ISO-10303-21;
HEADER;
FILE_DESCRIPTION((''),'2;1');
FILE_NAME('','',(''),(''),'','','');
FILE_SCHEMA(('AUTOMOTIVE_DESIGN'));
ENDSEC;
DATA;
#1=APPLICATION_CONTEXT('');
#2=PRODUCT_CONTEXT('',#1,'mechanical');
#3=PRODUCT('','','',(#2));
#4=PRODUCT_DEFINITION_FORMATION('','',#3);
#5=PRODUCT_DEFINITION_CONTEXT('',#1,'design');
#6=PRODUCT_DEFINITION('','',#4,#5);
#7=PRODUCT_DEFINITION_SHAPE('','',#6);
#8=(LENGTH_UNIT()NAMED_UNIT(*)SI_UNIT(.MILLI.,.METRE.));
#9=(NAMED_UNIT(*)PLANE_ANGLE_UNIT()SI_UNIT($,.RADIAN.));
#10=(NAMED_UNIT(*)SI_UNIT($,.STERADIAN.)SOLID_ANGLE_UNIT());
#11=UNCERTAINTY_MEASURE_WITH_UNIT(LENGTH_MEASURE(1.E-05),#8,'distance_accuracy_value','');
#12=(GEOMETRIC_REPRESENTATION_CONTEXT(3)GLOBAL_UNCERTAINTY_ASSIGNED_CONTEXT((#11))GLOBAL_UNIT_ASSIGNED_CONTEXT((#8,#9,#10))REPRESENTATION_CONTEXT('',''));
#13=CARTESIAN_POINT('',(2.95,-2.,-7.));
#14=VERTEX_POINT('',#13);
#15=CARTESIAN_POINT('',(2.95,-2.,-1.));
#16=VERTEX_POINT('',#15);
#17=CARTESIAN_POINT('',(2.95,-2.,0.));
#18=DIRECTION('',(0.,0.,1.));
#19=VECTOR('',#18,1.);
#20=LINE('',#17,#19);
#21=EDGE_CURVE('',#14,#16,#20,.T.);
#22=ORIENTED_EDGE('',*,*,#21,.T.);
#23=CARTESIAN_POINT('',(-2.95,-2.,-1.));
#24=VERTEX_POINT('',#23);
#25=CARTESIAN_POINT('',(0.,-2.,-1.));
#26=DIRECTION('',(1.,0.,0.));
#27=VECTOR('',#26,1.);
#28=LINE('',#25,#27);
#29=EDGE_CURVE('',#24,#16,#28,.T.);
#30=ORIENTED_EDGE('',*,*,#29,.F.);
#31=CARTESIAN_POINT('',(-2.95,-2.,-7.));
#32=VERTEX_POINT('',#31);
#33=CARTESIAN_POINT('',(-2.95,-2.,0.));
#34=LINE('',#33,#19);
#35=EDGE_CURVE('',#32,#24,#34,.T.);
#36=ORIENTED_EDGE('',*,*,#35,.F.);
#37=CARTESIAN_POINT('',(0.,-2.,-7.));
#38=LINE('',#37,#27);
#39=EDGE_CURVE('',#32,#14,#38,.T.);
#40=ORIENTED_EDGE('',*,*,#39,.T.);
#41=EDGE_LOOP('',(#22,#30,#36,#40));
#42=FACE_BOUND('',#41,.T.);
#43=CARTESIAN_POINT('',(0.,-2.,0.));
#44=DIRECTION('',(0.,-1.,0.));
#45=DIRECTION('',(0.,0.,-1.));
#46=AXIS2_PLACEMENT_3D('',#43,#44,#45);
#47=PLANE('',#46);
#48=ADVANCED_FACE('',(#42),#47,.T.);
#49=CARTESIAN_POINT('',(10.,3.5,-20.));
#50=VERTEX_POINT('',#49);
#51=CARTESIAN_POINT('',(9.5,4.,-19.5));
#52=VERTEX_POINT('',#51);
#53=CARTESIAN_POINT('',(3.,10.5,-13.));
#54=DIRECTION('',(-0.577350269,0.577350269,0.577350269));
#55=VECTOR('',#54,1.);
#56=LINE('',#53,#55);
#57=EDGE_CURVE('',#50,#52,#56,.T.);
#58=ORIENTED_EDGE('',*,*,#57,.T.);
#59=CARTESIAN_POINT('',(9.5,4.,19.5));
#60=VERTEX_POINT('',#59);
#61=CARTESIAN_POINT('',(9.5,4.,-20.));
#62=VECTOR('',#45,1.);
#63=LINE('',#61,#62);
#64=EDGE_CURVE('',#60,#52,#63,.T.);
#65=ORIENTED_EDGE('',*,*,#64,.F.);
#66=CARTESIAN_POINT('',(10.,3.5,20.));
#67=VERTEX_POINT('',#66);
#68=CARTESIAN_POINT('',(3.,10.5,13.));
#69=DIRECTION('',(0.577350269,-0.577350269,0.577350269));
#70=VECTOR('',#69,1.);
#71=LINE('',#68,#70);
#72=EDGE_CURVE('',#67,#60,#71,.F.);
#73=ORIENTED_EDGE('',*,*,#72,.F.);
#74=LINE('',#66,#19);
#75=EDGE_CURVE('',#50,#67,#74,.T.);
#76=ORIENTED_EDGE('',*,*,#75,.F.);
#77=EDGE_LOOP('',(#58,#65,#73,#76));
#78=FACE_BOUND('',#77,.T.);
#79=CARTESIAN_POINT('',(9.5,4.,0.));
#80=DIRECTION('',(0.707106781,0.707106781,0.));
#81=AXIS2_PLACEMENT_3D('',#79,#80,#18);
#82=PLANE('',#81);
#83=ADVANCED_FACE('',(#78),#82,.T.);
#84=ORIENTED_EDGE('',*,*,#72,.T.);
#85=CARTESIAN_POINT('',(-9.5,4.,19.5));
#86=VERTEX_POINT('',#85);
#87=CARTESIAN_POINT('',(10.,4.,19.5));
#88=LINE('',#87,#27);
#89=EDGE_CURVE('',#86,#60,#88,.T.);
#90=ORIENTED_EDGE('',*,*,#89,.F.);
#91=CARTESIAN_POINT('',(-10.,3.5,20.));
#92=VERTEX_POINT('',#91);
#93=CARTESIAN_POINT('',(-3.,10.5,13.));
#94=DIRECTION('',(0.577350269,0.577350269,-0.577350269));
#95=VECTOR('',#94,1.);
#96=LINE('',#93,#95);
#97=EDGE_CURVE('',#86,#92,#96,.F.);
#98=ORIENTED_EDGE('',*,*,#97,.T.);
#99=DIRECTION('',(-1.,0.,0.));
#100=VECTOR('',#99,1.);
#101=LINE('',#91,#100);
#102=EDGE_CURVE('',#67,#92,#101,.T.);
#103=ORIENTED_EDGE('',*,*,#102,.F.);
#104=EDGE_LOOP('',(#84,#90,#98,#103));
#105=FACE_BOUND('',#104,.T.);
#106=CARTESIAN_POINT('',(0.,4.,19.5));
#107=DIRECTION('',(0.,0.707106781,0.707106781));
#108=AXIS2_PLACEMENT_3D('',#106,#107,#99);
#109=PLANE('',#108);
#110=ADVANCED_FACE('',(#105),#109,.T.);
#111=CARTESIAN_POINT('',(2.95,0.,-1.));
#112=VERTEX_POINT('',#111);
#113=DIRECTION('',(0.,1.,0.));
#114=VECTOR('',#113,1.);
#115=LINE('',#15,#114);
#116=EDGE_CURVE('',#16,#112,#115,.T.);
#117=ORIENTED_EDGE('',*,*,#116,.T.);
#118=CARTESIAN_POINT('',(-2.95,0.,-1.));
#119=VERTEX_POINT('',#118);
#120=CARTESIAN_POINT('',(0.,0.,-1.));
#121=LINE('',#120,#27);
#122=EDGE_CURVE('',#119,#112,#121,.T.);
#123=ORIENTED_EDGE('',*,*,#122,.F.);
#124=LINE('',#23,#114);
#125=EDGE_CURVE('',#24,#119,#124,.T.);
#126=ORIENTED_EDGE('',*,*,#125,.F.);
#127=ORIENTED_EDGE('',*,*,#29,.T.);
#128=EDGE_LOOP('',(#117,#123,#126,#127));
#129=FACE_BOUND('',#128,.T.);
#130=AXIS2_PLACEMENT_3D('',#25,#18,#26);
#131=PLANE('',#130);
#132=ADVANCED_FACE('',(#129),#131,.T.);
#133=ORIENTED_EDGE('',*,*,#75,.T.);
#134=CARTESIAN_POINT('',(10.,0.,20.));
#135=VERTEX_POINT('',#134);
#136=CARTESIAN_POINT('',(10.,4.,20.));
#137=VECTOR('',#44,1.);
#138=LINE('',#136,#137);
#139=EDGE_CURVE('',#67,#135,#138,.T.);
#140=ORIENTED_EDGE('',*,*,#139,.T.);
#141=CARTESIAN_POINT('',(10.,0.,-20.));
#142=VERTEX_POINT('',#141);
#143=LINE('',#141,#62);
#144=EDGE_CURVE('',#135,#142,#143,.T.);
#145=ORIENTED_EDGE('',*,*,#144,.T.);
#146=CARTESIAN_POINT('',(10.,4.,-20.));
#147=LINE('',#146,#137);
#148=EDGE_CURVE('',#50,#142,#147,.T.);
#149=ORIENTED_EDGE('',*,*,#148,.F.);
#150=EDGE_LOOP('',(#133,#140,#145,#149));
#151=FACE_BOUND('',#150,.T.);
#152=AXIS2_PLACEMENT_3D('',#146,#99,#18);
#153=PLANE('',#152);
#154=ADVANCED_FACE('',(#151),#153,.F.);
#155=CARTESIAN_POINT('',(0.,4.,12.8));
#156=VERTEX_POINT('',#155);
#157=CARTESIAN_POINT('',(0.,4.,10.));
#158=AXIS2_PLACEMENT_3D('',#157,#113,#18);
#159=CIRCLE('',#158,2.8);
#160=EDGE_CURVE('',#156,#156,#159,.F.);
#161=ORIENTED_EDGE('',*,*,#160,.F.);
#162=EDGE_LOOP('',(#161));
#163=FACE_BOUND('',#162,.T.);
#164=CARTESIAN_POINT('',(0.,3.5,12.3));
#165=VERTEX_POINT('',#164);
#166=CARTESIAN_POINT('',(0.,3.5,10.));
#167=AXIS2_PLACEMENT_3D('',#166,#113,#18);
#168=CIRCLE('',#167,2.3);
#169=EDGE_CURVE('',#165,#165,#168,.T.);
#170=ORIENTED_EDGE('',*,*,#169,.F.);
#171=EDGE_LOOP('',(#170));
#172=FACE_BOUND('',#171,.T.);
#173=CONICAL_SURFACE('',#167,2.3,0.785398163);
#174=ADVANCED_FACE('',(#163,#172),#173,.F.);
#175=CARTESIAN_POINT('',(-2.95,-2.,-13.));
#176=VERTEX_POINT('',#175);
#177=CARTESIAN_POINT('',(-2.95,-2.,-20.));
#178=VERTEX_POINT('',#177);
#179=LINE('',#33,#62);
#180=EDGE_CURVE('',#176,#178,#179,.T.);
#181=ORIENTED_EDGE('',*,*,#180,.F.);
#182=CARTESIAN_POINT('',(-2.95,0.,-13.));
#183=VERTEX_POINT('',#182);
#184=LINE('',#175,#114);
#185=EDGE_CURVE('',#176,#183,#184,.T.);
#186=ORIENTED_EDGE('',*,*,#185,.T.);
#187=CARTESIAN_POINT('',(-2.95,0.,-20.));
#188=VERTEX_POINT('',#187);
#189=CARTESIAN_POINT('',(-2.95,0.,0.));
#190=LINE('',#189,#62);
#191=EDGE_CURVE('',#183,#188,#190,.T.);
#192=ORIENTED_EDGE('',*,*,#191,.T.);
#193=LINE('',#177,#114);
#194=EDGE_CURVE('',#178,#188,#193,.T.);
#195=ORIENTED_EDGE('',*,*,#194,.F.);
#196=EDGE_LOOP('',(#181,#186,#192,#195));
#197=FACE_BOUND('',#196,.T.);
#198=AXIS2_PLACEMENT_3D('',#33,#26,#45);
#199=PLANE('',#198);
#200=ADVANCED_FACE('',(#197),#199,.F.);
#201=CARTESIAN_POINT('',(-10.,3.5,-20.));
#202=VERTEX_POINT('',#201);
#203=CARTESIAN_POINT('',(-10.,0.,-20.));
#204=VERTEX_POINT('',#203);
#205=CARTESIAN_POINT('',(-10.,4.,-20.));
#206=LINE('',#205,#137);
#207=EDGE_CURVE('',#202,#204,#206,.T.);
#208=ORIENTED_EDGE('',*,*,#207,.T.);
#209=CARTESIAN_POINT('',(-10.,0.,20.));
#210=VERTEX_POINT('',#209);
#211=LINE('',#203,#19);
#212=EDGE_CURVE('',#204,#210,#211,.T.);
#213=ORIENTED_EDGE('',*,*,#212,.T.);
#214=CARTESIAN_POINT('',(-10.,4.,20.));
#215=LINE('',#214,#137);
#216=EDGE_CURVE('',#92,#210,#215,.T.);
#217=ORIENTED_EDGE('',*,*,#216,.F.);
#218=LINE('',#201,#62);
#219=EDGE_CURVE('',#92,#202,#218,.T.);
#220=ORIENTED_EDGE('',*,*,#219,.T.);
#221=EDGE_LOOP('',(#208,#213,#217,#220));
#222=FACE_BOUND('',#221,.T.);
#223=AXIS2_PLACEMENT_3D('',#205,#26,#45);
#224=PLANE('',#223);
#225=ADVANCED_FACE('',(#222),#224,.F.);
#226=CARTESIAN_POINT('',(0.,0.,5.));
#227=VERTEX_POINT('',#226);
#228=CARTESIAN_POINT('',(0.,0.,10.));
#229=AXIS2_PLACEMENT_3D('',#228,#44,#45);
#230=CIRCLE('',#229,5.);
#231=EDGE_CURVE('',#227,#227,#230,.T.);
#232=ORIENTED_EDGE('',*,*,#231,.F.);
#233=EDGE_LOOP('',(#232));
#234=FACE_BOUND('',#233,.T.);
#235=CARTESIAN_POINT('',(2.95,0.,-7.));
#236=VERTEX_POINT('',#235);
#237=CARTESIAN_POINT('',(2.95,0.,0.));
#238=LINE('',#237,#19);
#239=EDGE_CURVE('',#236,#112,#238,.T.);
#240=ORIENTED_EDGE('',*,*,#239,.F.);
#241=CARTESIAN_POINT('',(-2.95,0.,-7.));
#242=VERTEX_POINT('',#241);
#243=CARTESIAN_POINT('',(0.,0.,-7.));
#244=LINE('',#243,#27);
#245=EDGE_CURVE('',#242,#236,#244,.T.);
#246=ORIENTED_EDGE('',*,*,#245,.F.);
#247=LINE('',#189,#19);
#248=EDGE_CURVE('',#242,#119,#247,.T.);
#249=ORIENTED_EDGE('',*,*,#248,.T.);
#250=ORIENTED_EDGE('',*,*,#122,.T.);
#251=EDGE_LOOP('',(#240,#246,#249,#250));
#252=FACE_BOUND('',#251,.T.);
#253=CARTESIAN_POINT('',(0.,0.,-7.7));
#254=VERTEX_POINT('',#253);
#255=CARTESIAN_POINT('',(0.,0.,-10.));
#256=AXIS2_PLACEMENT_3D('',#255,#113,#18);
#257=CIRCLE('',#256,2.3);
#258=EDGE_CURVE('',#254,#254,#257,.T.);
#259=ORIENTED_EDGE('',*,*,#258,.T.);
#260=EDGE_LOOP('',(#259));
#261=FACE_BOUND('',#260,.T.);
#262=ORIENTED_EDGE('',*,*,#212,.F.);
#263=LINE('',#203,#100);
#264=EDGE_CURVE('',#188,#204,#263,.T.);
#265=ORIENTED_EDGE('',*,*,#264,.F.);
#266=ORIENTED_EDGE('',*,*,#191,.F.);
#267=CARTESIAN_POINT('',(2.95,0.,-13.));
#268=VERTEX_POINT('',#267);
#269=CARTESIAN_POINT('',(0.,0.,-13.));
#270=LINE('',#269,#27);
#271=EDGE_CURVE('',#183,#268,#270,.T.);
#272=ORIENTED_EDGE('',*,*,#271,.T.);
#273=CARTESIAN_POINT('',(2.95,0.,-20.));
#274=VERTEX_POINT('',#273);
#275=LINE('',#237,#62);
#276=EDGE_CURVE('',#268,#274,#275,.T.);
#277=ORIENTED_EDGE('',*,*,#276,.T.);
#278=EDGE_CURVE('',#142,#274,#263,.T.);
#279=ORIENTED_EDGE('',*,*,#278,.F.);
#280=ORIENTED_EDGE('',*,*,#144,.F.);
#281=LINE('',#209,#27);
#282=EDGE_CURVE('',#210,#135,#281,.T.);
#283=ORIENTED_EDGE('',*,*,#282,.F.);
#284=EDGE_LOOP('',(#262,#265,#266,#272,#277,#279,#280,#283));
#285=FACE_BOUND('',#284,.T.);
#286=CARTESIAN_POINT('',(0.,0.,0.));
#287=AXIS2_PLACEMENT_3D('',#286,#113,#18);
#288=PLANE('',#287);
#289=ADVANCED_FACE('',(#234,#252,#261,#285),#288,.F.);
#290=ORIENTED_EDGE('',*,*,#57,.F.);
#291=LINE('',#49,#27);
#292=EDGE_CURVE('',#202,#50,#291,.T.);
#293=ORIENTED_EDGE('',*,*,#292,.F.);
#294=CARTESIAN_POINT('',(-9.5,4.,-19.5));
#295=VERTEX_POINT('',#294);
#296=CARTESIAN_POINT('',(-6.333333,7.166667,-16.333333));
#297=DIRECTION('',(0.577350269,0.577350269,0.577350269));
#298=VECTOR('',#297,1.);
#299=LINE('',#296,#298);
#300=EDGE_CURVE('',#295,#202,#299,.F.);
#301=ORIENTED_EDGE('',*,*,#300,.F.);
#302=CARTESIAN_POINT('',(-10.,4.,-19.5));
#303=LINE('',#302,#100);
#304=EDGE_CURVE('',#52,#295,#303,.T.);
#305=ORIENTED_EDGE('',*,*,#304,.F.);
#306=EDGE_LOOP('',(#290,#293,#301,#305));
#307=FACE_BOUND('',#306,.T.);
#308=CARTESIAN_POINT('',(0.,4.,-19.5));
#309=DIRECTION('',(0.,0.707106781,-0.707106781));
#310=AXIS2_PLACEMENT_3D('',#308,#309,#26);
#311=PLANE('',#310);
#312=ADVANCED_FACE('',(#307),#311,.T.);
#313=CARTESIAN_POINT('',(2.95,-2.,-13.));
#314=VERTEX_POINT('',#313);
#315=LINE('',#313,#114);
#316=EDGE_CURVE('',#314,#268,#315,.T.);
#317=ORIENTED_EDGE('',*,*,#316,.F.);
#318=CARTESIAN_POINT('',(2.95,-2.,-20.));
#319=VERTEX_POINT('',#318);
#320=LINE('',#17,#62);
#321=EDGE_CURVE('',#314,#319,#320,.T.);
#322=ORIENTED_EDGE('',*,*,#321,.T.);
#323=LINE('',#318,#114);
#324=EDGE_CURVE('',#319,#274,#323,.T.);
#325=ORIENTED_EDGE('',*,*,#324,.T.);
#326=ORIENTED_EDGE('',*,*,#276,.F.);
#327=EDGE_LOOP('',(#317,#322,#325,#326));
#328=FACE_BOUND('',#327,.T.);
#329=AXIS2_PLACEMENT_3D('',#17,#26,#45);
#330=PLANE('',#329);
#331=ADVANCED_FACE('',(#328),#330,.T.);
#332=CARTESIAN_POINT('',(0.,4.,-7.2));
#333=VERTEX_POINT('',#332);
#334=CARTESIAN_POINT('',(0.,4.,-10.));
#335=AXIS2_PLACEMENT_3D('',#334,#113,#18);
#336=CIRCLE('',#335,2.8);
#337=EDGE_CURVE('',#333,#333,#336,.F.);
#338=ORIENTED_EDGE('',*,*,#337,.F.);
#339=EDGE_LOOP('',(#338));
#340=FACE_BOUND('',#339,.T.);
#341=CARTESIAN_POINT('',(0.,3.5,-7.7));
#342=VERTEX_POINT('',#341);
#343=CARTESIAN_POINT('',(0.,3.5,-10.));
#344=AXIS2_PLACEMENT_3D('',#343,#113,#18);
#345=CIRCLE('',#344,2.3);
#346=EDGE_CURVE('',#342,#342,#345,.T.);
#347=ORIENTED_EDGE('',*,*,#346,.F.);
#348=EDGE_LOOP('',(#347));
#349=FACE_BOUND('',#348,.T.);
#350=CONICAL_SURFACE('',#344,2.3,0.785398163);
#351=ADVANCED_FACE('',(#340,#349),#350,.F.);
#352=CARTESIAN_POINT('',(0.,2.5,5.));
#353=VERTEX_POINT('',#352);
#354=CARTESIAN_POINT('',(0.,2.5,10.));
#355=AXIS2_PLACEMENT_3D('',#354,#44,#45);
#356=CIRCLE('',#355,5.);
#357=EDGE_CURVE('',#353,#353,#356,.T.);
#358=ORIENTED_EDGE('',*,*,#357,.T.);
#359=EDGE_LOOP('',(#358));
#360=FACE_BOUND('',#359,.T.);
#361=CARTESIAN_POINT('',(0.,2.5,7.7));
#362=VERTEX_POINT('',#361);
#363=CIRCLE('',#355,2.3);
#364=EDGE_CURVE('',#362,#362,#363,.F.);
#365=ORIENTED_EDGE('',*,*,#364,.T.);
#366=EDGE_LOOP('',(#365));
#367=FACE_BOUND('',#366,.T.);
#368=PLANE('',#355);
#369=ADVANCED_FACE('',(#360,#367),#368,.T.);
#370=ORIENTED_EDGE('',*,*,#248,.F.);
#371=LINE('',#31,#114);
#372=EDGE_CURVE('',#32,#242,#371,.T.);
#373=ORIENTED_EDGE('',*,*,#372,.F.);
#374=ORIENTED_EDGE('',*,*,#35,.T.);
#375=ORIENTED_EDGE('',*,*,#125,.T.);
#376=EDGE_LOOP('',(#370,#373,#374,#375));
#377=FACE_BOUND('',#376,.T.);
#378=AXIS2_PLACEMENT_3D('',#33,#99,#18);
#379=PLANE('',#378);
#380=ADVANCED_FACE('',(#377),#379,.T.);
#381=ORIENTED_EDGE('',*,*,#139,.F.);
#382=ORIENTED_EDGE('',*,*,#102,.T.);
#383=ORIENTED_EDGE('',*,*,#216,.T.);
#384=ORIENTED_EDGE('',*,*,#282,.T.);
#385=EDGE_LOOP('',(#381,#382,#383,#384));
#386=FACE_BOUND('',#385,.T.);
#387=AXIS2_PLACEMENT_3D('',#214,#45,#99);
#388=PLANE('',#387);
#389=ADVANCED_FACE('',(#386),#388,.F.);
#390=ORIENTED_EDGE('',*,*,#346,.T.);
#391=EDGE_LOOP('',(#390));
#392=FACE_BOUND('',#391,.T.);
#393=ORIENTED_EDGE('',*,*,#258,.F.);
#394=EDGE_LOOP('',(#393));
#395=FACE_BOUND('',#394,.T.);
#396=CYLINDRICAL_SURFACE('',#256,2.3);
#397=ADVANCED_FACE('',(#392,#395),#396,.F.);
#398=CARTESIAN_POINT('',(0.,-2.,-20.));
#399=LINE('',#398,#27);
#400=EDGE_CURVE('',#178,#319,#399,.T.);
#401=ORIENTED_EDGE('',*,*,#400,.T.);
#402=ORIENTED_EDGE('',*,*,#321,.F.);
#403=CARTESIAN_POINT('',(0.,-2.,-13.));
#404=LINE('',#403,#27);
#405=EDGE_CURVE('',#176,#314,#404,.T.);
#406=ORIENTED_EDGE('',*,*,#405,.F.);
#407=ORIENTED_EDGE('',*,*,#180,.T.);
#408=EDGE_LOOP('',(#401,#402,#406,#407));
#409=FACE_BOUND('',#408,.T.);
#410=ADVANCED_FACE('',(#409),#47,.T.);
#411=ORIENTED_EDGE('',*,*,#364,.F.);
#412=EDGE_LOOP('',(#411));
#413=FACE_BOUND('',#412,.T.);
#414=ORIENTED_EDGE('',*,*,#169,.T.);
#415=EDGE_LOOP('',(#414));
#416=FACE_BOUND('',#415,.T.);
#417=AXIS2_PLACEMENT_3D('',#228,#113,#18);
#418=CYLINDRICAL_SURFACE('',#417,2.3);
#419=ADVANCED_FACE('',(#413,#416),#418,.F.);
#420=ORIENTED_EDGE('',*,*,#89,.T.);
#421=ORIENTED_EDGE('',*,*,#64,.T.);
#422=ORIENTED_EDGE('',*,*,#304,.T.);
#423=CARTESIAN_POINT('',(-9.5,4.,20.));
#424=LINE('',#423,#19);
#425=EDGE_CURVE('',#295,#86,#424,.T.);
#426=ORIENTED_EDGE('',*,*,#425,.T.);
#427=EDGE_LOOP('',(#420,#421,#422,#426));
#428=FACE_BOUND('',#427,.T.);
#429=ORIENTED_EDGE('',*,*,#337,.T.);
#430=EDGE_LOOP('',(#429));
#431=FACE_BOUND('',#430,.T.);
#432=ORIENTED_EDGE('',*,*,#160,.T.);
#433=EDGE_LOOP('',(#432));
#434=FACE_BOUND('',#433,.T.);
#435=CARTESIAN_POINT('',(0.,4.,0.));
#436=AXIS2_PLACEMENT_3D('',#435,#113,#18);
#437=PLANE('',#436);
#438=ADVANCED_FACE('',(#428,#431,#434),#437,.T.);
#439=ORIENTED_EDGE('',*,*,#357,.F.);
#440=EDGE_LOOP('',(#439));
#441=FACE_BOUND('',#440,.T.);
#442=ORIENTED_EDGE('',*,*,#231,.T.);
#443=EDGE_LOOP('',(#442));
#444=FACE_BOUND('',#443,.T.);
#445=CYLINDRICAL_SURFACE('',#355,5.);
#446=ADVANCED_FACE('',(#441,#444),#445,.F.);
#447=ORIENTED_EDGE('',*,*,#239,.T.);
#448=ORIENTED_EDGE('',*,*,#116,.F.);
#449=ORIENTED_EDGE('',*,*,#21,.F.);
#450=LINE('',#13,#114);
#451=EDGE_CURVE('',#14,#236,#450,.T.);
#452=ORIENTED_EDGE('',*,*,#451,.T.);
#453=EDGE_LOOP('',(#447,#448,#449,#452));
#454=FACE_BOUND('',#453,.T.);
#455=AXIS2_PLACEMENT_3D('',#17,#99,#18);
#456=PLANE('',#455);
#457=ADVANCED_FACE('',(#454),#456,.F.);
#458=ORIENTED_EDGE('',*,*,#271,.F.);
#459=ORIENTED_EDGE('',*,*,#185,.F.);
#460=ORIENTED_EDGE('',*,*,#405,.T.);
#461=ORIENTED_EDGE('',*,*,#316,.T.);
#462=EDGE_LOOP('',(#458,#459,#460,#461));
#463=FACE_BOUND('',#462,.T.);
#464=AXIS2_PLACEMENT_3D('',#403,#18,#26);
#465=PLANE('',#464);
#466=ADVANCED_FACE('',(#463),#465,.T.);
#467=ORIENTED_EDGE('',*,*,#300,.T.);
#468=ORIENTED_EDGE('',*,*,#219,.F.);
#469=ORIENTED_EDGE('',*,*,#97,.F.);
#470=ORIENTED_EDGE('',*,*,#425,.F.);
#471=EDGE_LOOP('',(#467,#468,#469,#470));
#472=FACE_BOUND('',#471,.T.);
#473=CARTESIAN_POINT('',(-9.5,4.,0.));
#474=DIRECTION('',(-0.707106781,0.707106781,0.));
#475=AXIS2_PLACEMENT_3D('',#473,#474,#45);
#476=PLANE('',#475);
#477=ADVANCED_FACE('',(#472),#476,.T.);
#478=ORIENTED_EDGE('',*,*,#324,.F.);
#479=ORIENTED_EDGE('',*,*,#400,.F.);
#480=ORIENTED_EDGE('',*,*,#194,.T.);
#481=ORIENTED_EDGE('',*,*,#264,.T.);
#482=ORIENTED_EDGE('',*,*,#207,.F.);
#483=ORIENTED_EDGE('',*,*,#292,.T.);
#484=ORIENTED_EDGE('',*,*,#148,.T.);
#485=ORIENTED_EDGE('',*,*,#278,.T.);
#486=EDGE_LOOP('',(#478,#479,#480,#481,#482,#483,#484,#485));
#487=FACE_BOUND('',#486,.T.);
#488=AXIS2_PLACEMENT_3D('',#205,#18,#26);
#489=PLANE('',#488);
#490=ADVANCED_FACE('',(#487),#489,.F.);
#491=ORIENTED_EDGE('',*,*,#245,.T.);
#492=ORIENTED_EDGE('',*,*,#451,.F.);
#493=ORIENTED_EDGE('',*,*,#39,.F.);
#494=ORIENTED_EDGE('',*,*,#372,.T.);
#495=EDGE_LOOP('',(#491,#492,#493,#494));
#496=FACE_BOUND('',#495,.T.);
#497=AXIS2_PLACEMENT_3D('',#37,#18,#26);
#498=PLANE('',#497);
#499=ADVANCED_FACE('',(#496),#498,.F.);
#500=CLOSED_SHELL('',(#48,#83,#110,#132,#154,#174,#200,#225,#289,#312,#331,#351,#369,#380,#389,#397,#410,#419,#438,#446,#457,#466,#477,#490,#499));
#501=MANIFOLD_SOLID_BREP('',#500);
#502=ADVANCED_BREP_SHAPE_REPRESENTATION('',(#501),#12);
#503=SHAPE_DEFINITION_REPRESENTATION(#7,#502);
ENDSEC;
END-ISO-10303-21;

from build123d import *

# Parameters (mm, degrees)
ESBO_O1_W                  = 20
ESBO_O1_H                  = 40
RESSALTO_EXTRUS_O1_DEPTH   = 4
ESBO_O2_R                  = 2.3
CORTE_EXTRUS_O1_DEPTH      = 1
CORTE_EXTRUS_O1_DEPTH_BACK = 5
ESBO_O3_W                  = 5.9
ESBO_O3_H                  = 6
ESBO_O3_H_2                = 7
RESSALTO_EXTRUS_O2_DEPTH   = 2
CHANFRO1_SIZE              = 0.5
ESBO_O4_R                  = 5
CORTE_EXTRUS_O2_DEPTH      = 2.5


with BuildPart() as part:
    # Esboço1 → Ressalto-extrusão1 (new body)
    with BuildSketch(Plane(origin=(0, 0, 0), x_dir=(1, 0, 0), z_dir=(0, 1, 0))):
        Rectangle(ESBO_O1_W, ESBO_O1_H)
    extrude(amount=RESSALTO_EXTRUS_O1_DEPTH)

    # Esboço2 → Corte-extrusão1 (cut, two sides)
    with BuildSketch(Plane(origin=(0, 4, 0), x_dir=(1, 0, 0), z_dir=(0, 1, 0))) as corte_extrus_o1_sk:
        with Locations((0, 10)):
            Circle(ESBO_O2_R)
        with Locations((0, -10)):
            Circle(ESBO_O2_R)
    extrude(amount=CORTE_EXTRUS_O1_DEPTH, mode=Mode.SUBTRACT)
    extrude(corte_extrus_o1_sk.sketch, amount=-CORTE_EXTRUS_O1_DEPTH_BACK, mode=Mode.SUBTRACT)

    # Esboço3 → Ressalto-extrusão2 (add)
    with BuildSketch(Plane.XZ):
        with Locations((0, -4)):
            Rectangle(ESBO_O3_W, ESBO_O3_H)
        with Locations((0, -16.5)):
            Rectangle(ESBO_O3_W, ESBO_O3_H_2)
    extrude(amount=RESSALTO_EXTRUS_O2_DEPTH)

    # Chanfro1
    chanfro1_edges = [part.edges().sort_by_distance(p)[0] for p in [
        (-10, 4, 0),
        (0, 4, 20),
        (-2.3, 4, -10),
        (-2.3, 4, 10),
        (10, 4, 0),
        (0, 4, -20),
    ]]
    chamfer(chanfro1_edges, length=CHANFRO1_SIZE)

    # Esboço4 → Corte-extrusão2 (cut)
    with BuildSketch(Plane.XZ):
        with Locations((0, 10)):
            Circle(ESBO_O4_R)
    extrude(amount=-CORTE_EXTRUS_O2_DEPTH, mode=Mode.SUBTRACT)


solid = part.part
